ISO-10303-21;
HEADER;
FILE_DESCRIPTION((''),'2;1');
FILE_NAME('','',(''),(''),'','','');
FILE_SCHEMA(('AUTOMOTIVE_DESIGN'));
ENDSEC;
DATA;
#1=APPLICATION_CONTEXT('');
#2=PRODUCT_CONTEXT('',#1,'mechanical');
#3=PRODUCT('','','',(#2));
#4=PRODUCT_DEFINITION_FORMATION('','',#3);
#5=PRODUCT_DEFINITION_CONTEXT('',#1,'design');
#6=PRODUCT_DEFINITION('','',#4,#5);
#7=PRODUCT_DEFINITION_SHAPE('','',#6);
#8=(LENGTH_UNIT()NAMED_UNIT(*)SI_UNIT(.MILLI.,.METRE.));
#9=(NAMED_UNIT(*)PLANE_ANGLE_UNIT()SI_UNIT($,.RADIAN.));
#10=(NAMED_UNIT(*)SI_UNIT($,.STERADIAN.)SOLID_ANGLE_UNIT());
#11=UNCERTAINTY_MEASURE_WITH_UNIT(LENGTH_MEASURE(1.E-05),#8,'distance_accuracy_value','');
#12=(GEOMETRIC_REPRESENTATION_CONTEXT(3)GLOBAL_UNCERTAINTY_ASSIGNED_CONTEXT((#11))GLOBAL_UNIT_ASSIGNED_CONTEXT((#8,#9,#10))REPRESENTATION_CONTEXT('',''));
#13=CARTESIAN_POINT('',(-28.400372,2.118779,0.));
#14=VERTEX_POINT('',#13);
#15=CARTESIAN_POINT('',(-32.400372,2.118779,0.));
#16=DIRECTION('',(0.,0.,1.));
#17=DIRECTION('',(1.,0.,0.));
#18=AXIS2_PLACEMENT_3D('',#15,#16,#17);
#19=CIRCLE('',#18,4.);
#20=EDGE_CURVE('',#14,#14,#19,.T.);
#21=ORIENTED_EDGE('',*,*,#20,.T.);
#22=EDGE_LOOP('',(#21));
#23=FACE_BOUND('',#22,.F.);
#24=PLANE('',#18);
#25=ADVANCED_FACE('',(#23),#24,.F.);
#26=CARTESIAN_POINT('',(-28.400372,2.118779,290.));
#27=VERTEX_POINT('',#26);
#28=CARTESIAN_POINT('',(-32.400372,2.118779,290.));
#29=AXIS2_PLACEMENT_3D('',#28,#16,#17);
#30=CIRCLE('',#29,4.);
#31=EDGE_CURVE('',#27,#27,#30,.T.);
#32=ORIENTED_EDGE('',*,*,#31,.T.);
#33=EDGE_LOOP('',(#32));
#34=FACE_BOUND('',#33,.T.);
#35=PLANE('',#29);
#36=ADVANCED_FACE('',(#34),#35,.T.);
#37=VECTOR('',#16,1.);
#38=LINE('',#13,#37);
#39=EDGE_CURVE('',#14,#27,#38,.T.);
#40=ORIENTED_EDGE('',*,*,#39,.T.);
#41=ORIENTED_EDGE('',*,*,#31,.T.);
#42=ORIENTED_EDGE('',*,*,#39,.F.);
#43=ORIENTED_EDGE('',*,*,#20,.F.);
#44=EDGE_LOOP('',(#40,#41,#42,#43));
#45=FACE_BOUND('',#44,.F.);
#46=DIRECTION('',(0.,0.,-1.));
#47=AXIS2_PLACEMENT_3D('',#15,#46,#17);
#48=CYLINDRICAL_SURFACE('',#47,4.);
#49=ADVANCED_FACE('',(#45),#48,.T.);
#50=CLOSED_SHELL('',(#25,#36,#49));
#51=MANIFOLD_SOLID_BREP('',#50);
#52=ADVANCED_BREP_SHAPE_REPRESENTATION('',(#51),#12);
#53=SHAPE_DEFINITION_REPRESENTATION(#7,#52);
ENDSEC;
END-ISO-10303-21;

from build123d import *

# Parameters (mm, degrees)
SKETCH1_R           = 4
BOSS_EXTRUDE1_DEPTH = 290


with BuildPart() as part:
    # Sketch1 → Boss-Extrude1 (new body)
    with BuildSketch(Plane.XY):
        with Locations((-32.400371914, 2.118779079)):
            Circle(SKETCH1_R)
    extrude(amount=BOSS_EXTRUDE1_DEPTH)


solid = part.part
